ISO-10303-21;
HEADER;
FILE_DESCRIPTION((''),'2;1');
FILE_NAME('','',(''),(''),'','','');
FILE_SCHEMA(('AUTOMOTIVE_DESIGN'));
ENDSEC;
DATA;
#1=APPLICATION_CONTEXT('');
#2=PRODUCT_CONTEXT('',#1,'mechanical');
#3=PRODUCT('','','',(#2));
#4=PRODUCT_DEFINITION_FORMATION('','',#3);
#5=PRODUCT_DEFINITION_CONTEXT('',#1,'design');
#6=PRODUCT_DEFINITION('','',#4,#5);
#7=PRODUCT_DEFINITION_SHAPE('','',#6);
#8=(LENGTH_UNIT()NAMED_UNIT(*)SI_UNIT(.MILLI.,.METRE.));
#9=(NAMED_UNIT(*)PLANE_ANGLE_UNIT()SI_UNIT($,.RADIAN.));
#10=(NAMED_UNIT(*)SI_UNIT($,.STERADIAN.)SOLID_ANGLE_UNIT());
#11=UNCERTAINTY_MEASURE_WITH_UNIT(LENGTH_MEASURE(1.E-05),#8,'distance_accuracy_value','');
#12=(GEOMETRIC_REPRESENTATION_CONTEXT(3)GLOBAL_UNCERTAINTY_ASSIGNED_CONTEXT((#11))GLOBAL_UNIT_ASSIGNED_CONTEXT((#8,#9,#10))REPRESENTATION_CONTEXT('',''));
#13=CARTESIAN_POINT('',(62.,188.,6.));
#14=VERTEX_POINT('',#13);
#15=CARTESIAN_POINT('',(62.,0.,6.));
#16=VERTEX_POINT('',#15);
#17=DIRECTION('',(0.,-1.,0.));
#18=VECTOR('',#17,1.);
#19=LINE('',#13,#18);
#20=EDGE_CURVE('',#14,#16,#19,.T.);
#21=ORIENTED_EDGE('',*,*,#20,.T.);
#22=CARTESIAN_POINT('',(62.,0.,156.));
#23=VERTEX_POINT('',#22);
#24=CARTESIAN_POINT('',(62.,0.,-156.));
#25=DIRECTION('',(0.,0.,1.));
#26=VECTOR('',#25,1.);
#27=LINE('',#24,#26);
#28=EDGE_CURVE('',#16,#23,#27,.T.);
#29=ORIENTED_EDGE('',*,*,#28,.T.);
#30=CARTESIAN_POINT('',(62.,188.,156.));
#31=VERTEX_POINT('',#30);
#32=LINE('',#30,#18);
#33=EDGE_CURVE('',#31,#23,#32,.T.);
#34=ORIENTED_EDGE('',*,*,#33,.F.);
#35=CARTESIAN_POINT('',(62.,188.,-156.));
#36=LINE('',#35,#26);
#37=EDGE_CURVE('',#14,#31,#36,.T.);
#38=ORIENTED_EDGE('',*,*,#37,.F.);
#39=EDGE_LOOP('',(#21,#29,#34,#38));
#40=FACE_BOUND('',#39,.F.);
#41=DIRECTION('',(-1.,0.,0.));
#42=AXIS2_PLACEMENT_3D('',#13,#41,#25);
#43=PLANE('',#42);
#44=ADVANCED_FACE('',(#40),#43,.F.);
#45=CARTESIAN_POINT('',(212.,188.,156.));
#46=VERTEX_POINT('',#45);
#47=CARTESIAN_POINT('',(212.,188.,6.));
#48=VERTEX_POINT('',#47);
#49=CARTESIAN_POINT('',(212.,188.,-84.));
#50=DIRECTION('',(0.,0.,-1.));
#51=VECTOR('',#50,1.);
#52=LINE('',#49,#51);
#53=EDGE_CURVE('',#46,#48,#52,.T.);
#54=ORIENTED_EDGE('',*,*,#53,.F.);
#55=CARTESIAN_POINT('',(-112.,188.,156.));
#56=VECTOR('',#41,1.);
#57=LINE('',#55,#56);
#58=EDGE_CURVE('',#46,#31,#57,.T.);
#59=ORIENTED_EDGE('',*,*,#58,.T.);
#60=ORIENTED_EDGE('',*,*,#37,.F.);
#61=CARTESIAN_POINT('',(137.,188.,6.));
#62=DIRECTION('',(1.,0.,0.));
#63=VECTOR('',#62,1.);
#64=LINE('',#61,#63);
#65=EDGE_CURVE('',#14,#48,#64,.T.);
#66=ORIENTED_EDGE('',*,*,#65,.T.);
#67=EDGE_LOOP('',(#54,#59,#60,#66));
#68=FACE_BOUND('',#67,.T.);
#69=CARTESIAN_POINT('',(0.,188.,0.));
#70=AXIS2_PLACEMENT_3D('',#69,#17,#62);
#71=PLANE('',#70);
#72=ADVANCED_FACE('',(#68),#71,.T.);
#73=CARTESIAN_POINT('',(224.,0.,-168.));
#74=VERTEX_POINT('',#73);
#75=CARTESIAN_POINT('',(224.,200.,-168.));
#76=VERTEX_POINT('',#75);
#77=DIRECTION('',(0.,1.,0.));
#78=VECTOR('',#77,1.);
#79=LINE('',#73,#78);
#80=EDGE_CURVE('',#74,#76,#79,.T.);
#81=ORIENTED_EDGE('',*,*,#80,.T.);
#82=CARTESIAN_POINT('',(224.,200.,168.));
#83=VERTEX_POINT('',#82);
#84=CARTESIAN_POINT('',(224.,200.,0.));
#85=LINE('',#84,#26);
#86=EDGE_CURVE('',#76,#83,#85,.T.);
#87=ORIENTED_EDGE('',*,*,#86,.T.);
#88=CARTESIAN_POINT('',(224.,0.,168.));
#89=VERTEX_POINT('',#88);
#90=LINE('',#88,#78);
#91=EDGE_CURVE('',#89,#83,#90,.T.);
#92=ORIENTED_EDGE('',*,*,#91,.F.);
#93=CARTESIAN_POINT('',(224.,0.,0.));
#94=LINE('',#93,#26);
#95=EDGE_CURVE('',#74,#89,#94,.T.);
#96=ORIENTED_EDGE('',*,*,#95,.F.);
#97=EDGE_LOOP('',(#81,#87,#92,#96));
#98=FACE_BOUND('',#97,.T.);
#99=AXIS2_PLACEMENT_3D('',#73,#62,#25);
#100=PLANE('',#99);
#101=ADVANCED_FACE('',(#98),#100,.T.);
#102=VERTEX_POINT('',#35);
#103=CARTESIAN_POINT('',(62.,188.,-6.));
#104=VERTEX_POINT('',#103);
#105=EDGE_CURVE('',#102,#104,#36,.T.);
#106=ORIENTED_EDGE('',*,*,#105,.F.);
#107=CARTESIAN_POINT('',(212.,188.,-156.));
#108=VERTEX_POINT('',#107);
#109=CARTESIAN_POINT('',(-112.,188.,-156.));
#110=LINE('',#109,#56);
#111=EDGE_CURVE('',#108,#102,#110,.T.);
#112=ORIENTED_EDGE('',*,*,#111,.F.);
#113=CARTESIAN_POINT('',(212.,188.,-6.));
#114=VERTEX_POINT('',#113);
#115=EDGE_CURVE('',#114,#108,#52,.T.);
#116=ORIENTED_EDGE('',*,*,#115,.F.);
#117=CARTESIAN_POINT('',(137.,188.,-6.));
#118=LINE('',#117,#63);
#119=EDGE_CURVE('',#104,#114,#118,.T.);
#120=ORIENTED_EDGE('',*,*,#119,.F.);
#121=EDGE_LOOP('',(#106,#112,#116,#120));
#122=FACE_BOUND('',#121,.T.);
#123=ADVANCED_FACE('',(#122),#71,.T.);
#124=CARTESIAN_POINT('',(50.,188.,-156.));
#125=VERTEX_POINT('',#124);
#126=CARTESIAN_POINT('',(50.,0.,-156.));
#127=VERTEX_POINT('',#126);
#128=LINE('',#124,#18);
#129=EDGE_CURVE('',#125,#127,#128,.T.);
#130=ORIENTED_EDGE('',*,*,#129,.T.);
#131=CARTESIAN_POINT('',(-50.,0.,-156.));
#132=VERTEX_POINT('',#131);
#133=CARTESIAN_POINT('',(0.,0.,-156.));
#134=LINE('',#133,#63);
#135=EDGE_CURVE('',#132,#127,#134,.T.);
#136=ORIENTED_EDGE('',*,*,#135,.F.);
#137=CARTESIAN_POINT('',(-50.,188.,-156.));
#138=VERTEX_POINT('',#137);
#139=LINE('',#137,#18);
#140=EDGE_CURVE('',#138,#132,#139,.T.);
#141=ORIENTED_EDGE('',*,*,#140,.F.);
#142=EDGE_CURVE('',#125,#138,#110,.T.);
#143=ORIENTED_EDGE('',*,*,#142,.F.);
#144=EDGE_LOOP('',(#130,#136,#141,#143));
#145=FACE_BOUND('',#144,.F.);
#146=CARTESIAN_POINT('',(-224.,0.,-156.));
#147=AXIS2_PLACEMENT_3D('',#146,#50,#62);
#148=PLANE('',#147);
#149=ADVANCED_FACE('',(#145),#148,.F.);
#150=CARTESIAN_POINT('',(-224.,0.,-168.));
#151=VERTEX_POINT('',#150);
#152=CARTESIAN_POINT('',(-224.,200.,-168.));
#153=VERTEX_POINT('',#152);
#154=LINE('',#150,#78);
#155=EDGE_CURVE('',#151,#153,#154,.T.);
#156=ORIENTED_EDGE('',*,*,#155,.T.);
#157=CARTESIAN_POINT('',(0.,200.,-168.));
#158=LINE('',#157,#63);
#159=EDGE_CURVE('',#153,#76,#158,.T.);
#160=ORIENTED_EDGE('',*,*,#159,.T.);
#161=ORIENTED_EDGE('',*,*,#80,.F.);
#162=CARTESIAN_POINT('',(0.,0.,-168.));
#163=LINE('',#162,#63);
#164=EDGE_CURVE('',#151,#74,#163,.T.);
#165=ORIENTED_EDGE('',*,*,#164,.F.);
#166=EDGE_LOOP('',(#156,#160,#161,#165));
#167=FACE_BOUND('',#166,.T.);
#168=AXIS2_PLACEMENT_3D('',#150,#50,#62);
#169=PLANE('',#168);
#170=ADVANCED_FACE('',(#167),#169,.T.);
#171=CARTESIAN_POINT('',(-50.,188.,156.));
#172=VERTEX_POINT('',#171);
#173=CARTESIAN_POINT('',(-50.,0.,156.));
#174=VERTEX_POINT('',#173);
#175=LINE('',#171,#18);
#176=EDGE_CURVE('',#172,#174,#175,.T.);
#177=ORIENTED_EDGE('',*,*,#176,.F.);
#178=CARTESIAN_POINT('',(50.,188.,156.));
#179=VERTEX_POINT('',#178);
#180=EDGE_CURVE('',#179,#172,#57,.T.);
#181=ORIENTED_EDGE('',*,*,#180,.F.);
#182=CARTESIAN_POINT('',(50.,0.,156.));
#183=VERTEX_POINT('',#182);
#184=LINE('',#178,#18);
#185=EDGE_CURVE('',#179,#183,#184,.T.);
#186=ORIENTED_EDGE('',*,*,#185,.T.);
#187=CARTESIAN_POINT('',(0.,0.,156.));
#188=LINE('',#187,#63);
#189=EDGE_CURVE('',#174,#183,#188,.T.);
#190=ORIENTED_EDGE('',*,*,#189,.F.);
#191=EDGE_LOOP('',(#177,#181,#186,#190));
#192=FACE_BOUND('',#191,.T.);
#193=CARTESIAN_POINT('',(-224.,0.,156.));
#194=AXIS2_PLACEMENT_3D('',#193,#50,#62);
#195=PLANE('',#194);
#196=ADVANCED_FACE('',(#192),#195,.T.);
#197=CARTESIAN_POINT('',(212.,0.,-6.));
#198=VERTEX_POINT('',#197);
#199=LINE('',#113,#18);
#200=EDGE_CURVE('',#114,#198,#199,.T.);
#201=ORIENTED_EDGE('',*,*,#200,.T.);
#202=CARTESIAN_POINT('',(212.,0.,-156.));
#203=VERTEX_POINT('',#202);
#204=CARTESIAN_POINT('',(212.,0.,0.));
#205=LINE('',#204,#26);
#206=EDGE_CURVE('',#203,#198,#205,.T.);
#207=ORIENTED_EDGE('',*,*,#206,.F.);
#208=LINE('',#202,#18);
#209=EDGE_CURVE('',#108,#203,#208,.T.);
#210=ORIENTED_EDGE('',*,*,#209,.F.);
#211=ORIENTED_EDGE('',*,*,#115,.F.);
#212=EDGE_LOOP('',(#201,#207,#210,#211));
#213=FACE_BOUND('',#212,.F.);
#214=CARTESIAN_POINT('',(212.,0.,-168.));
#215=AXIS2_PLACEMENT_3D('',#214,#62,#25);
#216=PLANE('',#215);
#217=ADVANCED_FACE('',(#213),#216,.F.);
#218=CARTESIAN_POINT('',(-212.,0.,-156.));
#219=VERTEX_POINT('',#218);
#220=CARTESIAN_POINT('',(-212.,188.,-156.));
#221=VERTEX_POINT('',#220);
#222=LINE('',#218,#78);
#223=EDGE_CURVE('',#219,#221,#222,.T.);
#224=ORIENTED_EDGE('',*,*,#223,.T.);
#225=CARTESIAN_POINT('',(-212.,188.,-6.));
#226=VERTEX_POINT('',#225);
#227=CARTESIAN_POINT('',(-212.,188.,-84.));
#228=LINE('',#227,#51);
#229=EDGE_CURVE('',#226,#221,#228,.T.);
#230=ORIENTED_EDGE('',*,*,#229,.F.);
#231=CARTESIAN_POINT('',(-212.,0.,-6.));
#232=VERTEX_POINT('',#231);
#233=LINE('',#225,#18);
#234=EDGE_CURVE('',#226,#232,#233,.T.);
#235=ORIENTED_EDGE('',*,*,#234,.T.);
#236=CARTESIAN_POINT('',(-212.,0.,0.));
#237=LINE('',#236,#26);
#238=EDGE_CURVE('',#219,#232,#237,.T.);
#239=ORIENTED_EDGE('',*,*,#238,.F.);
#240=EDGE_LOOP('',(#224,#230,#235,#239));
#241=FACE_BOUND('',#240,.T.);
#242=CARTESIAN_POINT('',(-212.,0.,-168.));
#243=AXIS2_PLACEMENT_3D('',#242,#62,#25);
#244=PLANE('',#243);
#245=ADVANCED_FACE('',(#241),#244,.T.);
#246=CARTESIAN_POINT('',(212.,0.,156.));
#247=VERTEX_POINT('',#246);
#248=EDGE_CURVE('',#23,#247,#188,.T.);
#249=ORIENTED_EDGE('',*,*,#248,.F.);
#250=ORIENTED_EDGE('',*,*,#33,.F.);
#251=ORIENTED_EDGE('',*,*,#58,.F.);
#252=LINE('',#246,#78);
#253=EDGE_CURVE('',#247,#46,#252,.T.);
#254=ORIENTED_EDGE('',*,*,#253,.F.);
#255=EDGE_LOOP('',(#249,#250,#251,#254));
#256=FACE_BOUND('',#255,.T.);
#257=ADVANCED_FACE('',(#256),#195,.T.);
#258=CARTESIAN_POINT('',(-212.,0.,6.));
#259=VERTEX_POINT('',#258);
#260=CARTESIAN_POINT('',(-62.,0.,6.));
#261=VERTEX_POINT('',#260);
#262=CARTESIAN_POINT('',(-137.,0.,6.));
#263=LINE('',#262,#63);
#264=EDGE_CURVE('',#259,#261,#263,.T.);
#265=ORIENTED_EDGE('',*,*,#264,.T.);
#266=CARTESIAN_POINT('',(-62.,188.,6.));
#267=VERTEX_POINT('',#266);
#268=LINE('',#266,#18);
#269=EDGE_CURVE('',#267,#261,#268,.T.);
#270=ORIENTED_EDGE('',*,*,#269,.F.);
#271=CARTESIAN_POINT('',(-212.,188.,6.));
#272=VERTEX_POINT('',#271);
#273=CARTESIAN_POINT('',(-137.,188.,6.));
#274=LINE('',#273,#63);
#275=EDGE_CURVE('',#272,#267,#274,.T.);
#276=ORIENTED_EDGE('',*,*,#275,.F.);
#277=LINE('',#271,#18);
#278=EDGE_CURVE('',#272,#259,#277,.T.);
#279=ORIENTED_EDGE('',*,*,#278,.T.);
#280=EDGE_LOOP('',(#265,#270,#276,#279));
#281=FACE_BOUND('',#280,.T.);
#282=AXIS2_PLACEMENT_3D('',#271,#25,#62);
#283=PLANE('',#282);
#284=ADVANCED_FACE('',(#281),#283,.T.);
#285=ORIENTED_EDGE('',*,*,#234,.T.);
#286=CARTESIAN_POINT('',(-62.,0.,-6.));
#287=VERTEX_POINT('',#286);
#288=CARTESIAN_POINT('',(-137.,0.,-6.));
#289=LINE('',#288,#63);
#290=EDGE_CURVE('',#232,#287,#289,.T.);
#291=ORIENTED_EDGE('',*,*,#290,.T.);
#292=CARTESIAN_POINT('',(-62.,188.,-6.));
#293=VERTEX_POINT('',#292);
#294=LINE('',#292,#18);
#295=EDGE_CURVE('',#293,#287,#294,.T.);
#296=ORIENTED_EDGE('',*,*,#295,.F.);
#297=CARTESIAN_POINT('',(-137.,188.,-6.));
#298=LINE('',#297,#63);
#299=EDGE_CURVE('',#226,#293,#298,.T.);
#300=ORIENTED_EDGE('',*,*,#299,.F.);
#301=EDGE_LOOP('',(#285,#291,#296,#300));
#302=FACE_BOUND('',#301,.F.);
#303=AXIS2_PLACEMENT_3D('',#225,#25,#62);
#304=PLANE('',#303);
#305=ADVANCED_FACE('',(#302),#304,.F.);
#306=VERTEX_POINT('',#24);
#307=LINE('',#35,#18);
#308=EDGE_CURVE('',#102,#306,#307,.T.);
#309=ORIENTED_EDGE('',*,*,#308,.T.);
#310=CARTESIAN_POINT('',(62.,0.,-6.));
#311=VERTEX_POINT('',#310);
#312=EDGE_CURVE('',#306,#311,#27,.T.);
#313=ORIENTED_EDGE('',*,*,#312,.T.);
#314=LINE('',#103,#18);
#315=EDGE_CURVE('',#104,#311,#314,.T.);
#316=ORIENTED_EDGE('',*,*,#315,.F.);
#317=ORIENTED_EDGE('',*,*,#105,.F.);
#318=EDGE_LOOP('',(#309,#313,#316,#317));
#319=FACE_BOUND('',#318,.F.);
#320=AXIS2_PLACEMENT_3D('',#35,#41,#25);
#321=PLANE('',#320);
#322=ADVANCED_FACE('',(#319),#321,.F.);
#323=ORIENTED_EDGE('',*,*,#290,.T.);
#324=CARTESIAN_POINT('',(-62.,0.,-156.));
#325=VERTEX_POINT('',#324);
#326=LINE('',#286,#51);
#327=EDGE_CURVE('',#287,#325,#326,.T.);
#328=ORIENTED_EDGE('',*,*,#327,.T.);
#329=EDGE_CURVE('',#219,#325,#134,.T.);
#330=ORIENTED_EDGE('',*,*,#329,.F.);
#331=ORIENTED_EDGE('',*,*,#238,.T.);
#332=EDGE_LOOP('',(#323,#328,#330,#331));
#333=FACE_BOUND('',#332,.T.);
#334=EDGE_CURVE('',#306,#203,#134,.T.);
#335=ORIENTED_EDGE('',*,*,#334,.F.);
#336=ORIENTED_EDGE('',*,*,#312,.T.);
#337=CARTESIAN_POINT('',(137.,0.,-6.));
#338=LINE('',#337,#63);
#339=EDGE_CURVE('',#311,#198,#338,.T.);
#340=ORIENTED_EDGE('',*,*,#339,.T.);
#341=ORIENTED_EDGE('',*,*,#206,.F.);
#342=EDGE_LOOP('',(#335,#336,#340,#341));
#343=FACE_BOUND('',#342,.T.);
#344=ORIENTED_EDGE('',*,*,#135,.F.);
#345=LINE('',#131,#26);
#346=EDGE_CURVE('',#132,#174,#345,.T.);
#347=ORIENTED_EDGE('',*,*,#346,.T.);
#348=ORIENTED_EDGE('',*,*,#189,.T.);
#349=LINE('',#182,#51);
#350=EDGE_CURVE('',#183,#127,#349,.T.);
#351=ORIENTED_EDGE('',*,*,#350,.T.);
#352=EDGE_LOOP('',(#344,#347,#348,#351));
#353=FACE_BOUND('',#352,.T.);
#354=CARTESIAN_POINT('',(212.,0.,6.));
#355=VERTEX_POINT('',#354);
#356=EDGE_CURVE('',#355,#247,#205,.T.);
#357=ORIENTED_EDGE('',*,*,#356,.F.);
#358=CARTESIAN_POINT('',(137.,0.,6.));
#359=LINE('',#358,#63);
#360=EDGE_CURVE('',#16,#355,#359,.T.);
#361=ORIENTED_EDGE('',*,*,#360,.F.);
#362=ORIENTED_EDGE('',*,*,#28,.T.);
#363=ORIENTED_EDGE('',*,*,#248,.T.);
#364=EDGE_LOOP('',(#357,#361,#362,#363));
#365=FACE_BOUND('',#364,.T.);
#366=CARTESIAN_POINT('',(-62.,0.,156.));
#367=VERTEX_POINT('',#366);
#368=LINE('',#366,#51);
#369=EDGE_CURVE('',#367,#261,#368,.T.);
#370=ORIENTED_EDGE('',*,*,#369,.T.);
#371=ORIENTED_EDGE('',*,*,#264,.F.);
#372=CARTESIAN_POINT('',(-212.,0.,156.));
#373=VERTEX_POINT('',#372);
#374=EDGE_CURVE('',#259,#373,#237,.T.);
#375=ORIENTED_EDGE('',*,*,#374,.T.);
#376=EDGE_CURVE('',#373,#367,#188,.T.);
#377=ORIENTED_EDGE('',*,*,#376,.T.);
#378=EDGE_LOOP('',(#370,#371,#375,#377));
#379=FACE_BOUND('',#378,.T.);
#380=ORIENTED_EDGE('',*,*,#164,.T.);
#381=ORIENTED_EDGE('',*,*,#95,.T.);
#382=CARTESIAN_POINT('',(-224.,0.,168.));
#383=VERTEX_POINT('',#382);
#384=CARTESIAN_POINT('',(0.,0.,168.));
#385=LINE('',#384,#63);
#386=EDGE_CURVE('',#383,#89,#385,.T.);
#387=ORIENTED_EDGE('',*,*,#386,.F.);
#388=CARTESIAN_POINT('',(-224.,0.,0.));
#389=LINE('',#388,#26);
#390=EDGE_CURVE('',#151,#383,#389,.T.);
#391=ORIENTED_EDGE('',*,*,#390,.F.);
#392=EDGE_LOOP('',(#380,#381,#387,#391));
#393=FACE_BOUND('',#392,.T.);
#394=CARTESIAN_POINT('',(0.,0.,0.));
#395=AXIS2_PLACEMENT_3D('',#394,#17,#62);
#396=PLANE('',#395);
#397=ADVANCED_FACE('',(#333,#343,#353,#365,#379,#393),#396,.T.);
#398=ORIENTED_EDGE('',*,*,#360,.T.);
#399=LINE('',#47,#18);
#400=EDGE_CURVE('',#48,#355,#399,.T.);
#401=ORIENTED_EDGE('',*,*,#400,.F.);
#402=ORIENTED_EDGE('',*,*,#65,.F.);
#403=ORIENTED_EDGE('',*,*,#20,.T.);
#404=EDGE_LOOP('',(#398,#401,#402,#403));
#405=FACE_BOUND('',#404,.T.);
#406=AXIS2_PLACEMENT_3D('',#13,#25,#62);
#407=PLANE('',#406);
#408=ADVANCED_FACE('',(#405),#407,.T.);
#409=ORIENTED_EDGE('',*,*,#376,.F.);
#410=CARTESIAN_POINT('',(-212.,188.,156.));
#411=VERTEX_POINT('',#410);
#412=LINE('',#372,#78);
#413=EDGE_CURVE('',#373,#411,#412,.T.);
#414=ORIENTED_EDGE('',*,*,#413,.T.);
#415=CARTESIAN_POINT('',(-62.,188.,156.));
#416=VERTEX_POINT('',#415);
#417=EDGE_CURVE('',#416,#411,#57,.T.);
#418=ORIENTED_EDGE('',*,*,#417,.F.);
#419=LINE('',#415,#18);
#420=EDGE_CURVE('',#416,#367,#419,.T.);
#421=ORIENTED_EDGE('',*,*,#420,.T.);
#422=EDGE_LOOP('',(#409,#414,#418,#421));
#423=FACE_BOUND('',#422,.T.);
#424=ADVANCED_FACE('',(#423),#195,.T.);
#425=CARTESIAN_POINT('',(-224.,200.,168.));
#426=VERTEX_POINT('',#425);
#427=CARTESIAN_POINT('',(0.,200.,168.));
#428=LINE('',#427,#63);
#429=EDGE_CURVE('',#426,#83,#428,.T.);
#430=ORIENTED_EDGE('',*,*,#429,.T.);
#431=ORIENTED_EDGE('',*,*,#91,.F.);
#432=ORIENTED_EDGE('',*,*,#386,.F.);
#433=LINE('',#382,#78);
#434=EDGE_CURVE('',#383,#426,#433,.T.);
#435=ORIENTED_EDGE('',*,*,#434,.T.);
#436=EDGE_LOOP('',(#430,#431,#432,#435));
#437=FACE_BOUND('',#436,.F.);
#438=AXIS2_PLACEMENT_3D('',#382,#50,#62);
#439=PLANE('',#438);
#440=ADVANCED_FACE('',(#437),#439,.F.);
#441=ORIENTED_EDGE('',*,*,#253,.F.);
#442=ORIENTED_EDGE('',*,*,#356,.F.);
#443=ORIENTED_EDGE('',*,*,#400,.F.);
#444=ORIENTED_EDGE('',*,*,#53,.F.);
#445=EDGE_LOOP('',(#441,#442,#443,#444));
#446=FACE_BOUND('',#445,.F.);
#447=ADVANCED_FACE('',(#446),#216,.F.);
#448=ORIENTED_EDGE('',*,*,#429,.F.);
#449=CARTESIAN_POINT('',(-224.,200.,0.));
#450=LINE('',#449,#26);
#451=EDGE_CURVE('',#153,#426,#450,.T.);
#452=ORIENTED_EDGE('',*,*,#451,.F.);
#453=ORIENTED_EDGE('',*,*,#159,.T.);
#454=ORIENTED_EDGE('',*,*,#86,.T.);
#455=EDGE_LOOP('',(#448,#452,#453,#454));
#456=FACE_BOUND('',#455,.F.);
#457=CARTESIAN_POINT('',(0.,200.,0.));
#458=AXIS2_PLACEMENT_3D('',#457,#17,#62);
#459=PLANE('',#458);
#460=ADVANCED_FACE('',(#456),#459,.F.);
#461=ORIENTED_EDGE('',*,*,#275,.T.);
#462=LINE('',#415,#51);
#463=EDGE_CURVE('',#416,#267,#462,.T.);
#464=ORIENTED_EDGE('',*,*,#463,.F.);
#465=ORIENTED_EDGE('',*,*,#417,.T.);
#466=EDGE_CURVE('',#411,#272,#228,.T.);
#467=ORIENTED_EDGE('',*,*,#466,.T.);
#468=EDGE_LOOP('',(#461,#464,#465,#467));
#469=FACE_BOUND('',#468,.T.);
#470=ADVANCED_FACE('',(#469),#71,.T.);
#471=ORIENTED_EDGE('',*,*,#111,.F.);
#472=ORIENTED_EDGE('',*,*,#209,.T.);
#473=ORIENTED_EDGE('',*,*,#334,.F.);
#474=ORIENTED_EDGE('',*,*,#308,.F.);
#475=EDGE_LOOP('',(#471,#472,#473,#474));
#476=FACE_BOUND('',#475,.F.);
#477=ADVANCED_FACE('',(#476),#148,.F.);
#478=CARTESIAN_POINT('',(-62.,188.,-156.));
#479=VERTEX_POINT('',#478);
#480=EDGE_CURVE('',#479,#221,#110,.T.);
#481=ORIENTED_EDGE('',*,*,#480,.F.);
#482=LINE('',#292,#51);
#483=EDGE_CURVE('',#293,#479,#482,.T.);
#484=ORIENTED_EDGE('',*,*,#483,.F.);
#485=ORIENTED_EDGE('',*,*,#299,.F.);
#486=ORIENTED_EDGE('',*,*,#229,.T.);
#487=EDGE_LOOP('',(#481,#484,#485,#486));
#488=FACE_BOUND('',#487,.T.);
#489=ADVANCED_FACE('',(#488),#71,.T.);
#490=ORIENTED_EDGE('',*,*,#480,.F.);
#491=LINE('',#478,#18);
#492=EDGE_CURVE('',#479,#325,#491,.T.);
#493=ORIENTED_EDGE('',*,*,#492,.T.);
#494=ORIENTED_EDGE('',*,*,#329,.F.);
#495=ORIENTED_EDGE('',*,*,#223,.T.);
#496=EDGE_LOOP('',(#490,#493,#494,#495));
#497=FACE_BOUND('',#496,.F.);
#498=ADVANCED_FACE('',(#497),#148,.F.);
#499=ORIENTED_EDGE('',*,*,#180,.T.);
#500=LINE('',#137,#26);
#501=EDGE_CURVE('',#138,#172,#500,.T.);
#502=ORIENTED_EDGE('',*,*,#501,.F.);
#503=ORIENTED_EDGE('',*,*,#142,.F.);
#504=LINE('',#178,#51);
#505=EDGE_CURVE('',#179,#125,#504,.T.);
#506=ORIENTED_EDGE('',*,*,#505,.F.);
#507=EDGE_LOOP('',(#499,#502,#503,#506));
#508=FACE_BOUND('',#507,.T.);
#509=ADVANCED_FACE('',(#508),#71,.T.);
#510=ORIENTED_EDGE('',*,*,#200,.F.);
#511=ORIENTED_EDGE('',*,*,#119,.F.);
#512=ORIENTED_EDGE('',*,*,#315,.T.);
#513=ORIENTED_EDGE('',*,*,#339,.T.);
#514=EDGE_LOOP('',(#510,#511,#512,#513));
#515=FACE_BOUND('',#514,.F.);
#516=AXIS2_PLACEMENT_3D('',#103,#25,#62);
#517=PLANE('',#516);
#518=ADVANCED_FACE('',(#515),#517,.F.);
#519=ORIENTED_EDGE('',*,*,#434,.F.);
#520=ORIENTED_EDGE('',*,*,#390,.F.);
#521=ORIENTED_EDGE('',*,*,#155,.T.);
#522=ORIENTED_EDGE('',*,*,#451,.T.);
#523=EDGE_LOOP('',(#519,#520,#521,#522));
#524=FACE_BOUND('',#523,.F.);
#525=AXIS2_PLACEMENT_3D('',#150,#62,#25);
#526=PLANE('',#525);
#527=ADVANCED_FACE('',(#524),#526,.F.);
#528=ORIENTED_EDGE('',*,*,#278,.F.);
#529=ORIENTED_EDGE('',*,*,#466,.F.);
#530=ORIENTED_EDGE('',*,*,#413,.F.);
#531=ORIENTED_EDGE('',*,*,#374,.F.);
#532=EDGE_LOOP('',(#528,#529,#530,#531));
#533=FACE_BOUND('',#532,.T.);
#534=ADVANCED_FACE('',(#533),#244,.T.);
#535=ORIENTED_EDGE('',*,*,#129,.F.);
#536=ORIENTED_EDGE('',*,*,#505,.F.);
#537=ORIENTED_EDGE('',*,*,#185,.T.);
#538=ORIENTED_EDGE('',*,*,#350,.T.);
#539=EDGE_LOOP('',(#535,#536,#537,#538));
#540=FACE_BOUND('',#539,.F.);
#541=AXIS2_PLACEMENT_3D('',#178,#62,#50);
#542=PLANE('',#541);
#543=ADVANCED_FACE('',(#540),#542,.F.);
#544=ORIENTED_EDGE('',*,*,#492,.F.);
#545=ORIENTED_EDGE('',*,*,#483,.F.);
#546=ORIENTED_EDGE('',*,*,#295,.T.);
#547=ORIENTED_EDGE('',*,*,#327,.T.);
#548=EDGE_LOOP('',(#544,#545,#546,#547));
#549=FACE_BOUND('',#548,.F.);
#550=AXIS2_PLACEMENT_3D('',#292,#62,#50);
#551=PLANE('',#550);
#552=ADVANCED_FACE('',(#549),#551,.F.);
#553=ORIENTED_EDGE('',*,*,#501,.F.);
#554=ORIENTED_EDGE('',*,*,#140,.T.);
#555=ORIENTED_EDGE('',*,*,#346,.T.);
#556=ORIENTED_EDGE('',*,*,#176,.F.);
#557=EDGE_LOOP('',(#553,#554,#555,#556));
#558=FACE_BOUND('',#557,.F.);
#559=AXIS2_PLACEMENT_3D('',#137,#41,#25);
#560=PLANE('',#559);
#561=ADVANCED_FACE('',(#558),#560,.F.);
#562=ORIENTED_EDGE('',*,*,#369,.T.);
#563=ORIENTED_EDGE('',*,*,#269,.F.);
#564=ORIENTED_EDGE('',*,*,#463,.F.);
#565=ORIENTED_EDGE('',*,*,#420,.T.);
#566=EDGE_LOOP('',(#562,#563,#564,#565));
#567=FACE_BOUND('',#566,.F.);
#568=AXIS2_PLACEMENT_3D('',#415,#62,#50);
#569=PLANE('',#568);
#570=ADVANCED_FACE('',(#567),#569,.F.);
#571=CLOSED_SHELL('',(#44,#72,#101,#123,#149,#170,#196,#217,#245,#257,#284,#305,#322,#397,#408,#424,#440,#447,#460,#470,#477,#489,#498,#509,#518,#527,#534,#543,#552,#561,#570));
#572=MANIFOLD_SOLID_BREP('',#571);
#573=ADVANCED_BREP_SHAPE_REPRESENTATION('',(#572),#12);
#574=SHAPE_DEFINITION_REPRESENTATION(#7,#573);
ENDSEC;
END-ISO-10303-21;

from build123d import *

# Parameters (mm, degrees)
F0_W     = 448
F0_H     = 336
F1_DEPTH = 200
F2_T     = -12
F3_W     = 150
F3_H     = 12
F4_DEPTH = 188


with BuildPart() as f1:
    # F0 (on Front) → F1 (new body)
    with BuildSketch(Plane.XZ):
        Rectangle(F0_W, F0_H)
    extrude(amount=-F1_DEPTH)

    # F2
    f2_openings = [f1.faces().sort_by_distance(p)[0] for p in [
        (0, 0, 0),
    ]]
    offset(amount=F2_T, openings=f2_openings)

    # F3 (on face) → F4 (join)
    with BuildSketch(Plane.XZ.offset(-188)):
        with Locations((-137, 0)):
            Rectangle(F3_W, F3_H)
        Polygon((-50, 156), (-62, 156), (-62, 6), (-62, -6), (-62, -156), (-50, -156), align=None)
        Polygon((62, 156), (50, 156), (50, -156), (62, -156), (62, -6), (62, 6), align=None)
        with Locations((137, 0)):
            Rectangle(F3_W, F3_H)
    extrude(amount=F4_DEPTH)


solid = f1.part
